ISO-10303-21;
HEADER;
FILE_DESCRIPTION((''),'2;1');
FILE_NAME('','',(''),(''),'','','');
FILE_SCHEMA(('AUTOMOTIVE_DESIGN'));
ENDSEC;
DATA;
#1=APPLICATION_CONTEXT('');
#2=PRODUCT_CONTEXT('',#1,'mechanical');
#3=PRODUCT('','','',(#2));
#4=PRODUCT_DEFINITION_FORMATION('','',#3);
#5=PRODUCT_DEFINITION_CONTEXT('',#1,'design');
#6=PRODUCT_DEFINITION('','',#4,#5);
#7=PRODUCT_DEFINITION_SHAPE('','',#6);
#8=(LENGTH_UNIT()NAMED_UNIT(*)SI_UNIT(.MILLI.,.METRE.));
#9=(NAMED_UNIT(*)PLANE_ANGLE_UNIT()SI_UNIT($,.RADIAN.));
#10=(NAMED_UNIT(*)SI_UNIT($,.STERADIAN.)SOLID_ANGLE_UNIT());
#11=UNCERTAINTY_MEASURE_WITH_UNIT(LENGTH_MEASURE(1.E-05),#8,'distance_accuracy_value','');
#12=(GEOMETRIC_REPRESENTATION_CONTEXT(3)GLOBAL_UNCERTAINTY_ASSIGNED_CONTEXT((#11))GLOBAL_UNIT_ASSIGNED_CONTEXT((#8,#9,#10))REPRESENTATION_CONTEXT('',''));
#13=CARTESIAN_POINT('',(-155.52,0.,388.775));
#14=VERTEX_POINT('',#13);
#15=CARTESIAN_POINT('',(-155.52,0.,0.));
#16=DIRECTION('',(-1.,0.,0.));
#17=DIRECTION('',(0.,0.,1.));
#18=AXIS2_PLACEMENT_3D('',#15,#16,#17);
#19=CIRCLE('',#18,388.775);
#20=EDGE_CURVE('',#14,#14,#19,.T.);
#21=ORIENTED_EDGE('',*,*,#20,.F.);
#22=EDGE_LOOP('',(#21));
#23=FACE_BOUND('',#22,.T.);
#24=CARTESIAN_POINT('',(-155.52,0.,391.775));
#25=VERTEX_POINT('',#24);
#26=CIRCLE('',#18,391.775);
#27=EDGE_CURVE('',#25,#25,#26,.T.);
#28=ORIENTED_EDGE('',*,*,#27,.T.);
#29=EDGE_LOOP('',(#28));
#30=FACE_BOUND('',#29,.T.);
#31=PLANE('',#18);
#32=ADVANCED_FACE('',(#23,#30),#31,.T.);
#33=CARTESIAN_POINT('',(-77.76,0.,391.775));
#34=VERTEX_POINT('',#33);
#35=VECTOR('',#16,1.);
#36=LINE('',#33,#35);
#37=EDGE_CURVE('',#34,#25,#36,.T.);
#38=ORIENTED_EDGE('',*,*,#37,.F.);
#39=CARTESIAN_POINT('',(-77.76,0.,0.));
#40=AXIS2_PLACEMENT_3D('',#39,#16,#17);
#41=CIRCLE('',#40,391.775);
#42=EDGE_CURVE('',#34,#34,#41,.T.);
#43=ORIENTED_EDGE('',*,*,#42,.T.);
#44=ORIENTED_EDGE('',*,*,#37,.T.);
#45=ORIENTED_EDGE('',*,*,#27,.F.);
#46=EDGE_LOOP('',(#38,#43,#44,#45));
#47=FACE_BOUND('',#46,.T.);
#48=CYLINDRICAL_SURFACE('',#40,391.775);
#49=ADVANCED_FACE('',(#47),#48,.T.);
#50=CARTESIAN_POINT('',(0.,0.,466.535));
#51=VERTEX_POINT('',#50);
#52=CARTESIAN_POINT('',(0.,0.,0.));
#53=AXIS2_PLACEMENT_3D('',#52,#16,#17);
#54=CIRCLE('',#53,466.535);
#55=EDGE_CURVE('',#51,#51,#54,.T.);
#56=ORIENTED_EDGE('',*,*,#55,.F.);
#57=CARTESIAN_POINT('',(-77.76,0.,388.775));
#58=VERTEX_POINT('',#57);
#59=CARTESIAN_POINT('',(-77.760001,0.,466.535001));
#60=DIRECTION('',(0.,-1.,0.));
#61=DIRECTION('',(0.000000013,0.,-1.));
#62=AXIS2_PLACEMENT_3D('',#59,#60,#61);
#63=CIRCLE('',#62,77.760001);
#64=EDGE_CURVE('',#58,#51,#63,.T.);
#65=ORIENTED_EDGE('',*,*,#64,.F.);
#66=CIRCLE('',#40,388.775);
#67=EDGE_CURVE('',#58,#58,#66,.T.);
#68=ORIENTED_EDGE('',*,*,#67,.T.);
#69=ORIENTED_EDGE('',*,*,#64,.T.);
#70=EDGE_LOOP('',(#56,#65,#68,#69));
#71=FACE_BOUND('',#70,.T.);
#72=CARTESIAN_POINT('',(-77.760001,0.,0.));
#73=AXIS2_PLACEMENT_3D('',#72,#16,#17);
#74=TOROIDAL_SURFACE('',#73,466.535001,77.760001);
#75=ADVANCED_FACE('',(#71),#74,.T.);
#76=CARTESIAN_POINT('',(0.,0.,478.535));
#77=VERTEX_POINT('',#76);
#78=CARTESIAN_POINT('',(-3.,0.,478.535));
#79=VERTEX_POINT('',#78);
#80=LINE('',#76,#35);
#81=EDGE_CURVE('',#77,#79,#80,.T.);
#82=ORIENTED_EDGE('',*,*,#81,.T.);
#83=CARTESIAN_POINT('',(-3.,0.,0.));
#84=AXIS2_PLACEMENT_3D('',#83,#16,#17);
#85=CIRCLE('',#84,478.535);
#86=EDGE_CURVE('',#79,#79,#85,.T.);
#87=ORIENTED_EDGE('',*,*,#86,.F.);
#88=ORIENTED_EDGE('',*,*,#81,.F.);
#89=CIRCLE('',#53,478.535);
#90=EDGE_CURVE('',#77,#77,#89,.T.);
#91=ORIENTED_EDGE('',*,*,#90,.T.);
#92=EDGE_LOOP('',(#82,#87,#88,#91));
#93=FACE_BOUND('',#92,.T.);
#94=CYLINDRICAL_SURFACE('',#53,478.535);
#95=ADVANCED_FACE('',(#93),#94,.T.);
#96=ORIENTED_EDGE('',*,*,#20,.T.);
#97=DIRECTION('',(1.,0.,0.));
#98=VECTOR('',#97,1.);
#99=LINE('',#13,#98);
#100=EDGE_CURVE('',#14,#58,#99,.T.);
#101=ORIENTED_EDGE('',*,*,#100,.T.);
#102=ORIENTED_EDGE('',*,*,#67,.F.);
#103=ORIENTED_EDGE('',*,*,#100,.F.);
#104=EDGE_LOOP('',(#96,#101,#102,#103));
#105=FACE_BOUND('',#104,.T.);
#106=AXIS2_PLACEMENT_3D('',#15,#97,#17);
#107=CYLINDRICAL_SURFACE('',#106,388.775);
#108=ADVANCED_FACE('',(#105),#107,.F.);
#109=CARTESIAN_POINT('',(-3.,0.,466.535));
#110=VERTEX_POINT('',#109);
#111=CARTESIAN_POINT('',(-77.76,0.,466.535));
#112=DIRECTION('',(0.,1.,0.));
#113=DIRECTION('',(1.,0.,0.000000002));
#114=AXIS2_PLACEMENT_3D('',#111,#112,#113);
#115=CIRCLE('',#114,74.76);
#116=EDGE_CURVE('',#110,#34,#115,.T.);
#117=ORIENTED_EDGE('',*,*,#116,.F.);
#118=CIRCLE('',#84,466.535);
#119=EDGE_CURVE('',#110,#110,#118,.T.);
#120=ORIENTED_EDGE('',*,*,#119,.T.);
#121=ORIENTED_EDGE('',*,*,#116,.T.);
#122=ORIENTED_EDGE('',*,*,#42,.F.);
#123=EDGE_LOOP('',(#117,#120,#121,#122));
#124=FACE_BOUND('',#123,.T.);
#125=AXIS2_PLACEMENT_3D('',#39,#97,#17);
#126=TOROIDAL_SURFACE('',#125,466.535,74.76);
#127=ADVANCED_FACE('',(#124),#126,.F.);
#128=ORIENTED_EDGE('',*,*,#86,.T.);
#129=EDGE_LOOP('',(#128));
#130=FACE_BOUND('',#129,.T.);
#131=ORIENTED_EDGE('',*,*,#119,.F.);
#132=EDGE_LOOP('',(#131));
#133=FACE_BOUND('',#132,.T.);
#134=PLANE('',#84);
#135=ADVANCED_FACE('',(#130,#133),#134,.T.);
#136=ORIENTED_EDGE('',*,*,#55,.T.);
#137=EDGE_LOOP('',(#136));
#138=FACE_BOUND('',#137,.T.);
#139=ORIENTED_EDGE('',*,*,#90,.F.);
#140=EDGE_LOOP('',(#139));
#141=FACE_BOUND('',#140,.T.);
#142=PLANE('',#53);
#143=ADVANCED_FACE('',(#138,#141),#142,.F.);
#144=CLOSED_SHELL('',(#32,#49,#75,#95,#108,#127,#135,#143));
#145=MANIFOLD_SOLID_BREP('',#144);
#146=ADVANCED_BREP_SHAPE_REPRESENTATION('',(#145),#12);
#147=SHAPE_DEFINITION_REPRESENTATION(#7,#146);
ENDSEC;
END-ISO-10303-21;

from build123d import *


with BuildPart() as f1:
    # F0 (on Front) → F1 (revolve)
    with BuildSketch(Plane.XZ):
        with BuildLine():
            Line((0, 466.535), (0, 478.535))
            Line((0, 478.535), (-3, 478.535))
            Line((-3, 478.535), (-3, 466.535))
            ThreePointArc((-3, 466.535), (-24.896697, 413.671697), (-77.76, 391.775))
            Line((-77.76, 391.775), (-155.52, 391.775))
            Line((-155.52, 391.775), (-155.52, 388.775))
            Line((-155.52, 388.775), (-77.76, 388.775))
            ThreePointArc((-77.76, 388.775), (-22.775377, 411.550377), (0, 466.535))
        make_face()
    revolve(axis=Axis((-41.230138, 0, 0), (-1, 0, 0)))


solid = f1.part
